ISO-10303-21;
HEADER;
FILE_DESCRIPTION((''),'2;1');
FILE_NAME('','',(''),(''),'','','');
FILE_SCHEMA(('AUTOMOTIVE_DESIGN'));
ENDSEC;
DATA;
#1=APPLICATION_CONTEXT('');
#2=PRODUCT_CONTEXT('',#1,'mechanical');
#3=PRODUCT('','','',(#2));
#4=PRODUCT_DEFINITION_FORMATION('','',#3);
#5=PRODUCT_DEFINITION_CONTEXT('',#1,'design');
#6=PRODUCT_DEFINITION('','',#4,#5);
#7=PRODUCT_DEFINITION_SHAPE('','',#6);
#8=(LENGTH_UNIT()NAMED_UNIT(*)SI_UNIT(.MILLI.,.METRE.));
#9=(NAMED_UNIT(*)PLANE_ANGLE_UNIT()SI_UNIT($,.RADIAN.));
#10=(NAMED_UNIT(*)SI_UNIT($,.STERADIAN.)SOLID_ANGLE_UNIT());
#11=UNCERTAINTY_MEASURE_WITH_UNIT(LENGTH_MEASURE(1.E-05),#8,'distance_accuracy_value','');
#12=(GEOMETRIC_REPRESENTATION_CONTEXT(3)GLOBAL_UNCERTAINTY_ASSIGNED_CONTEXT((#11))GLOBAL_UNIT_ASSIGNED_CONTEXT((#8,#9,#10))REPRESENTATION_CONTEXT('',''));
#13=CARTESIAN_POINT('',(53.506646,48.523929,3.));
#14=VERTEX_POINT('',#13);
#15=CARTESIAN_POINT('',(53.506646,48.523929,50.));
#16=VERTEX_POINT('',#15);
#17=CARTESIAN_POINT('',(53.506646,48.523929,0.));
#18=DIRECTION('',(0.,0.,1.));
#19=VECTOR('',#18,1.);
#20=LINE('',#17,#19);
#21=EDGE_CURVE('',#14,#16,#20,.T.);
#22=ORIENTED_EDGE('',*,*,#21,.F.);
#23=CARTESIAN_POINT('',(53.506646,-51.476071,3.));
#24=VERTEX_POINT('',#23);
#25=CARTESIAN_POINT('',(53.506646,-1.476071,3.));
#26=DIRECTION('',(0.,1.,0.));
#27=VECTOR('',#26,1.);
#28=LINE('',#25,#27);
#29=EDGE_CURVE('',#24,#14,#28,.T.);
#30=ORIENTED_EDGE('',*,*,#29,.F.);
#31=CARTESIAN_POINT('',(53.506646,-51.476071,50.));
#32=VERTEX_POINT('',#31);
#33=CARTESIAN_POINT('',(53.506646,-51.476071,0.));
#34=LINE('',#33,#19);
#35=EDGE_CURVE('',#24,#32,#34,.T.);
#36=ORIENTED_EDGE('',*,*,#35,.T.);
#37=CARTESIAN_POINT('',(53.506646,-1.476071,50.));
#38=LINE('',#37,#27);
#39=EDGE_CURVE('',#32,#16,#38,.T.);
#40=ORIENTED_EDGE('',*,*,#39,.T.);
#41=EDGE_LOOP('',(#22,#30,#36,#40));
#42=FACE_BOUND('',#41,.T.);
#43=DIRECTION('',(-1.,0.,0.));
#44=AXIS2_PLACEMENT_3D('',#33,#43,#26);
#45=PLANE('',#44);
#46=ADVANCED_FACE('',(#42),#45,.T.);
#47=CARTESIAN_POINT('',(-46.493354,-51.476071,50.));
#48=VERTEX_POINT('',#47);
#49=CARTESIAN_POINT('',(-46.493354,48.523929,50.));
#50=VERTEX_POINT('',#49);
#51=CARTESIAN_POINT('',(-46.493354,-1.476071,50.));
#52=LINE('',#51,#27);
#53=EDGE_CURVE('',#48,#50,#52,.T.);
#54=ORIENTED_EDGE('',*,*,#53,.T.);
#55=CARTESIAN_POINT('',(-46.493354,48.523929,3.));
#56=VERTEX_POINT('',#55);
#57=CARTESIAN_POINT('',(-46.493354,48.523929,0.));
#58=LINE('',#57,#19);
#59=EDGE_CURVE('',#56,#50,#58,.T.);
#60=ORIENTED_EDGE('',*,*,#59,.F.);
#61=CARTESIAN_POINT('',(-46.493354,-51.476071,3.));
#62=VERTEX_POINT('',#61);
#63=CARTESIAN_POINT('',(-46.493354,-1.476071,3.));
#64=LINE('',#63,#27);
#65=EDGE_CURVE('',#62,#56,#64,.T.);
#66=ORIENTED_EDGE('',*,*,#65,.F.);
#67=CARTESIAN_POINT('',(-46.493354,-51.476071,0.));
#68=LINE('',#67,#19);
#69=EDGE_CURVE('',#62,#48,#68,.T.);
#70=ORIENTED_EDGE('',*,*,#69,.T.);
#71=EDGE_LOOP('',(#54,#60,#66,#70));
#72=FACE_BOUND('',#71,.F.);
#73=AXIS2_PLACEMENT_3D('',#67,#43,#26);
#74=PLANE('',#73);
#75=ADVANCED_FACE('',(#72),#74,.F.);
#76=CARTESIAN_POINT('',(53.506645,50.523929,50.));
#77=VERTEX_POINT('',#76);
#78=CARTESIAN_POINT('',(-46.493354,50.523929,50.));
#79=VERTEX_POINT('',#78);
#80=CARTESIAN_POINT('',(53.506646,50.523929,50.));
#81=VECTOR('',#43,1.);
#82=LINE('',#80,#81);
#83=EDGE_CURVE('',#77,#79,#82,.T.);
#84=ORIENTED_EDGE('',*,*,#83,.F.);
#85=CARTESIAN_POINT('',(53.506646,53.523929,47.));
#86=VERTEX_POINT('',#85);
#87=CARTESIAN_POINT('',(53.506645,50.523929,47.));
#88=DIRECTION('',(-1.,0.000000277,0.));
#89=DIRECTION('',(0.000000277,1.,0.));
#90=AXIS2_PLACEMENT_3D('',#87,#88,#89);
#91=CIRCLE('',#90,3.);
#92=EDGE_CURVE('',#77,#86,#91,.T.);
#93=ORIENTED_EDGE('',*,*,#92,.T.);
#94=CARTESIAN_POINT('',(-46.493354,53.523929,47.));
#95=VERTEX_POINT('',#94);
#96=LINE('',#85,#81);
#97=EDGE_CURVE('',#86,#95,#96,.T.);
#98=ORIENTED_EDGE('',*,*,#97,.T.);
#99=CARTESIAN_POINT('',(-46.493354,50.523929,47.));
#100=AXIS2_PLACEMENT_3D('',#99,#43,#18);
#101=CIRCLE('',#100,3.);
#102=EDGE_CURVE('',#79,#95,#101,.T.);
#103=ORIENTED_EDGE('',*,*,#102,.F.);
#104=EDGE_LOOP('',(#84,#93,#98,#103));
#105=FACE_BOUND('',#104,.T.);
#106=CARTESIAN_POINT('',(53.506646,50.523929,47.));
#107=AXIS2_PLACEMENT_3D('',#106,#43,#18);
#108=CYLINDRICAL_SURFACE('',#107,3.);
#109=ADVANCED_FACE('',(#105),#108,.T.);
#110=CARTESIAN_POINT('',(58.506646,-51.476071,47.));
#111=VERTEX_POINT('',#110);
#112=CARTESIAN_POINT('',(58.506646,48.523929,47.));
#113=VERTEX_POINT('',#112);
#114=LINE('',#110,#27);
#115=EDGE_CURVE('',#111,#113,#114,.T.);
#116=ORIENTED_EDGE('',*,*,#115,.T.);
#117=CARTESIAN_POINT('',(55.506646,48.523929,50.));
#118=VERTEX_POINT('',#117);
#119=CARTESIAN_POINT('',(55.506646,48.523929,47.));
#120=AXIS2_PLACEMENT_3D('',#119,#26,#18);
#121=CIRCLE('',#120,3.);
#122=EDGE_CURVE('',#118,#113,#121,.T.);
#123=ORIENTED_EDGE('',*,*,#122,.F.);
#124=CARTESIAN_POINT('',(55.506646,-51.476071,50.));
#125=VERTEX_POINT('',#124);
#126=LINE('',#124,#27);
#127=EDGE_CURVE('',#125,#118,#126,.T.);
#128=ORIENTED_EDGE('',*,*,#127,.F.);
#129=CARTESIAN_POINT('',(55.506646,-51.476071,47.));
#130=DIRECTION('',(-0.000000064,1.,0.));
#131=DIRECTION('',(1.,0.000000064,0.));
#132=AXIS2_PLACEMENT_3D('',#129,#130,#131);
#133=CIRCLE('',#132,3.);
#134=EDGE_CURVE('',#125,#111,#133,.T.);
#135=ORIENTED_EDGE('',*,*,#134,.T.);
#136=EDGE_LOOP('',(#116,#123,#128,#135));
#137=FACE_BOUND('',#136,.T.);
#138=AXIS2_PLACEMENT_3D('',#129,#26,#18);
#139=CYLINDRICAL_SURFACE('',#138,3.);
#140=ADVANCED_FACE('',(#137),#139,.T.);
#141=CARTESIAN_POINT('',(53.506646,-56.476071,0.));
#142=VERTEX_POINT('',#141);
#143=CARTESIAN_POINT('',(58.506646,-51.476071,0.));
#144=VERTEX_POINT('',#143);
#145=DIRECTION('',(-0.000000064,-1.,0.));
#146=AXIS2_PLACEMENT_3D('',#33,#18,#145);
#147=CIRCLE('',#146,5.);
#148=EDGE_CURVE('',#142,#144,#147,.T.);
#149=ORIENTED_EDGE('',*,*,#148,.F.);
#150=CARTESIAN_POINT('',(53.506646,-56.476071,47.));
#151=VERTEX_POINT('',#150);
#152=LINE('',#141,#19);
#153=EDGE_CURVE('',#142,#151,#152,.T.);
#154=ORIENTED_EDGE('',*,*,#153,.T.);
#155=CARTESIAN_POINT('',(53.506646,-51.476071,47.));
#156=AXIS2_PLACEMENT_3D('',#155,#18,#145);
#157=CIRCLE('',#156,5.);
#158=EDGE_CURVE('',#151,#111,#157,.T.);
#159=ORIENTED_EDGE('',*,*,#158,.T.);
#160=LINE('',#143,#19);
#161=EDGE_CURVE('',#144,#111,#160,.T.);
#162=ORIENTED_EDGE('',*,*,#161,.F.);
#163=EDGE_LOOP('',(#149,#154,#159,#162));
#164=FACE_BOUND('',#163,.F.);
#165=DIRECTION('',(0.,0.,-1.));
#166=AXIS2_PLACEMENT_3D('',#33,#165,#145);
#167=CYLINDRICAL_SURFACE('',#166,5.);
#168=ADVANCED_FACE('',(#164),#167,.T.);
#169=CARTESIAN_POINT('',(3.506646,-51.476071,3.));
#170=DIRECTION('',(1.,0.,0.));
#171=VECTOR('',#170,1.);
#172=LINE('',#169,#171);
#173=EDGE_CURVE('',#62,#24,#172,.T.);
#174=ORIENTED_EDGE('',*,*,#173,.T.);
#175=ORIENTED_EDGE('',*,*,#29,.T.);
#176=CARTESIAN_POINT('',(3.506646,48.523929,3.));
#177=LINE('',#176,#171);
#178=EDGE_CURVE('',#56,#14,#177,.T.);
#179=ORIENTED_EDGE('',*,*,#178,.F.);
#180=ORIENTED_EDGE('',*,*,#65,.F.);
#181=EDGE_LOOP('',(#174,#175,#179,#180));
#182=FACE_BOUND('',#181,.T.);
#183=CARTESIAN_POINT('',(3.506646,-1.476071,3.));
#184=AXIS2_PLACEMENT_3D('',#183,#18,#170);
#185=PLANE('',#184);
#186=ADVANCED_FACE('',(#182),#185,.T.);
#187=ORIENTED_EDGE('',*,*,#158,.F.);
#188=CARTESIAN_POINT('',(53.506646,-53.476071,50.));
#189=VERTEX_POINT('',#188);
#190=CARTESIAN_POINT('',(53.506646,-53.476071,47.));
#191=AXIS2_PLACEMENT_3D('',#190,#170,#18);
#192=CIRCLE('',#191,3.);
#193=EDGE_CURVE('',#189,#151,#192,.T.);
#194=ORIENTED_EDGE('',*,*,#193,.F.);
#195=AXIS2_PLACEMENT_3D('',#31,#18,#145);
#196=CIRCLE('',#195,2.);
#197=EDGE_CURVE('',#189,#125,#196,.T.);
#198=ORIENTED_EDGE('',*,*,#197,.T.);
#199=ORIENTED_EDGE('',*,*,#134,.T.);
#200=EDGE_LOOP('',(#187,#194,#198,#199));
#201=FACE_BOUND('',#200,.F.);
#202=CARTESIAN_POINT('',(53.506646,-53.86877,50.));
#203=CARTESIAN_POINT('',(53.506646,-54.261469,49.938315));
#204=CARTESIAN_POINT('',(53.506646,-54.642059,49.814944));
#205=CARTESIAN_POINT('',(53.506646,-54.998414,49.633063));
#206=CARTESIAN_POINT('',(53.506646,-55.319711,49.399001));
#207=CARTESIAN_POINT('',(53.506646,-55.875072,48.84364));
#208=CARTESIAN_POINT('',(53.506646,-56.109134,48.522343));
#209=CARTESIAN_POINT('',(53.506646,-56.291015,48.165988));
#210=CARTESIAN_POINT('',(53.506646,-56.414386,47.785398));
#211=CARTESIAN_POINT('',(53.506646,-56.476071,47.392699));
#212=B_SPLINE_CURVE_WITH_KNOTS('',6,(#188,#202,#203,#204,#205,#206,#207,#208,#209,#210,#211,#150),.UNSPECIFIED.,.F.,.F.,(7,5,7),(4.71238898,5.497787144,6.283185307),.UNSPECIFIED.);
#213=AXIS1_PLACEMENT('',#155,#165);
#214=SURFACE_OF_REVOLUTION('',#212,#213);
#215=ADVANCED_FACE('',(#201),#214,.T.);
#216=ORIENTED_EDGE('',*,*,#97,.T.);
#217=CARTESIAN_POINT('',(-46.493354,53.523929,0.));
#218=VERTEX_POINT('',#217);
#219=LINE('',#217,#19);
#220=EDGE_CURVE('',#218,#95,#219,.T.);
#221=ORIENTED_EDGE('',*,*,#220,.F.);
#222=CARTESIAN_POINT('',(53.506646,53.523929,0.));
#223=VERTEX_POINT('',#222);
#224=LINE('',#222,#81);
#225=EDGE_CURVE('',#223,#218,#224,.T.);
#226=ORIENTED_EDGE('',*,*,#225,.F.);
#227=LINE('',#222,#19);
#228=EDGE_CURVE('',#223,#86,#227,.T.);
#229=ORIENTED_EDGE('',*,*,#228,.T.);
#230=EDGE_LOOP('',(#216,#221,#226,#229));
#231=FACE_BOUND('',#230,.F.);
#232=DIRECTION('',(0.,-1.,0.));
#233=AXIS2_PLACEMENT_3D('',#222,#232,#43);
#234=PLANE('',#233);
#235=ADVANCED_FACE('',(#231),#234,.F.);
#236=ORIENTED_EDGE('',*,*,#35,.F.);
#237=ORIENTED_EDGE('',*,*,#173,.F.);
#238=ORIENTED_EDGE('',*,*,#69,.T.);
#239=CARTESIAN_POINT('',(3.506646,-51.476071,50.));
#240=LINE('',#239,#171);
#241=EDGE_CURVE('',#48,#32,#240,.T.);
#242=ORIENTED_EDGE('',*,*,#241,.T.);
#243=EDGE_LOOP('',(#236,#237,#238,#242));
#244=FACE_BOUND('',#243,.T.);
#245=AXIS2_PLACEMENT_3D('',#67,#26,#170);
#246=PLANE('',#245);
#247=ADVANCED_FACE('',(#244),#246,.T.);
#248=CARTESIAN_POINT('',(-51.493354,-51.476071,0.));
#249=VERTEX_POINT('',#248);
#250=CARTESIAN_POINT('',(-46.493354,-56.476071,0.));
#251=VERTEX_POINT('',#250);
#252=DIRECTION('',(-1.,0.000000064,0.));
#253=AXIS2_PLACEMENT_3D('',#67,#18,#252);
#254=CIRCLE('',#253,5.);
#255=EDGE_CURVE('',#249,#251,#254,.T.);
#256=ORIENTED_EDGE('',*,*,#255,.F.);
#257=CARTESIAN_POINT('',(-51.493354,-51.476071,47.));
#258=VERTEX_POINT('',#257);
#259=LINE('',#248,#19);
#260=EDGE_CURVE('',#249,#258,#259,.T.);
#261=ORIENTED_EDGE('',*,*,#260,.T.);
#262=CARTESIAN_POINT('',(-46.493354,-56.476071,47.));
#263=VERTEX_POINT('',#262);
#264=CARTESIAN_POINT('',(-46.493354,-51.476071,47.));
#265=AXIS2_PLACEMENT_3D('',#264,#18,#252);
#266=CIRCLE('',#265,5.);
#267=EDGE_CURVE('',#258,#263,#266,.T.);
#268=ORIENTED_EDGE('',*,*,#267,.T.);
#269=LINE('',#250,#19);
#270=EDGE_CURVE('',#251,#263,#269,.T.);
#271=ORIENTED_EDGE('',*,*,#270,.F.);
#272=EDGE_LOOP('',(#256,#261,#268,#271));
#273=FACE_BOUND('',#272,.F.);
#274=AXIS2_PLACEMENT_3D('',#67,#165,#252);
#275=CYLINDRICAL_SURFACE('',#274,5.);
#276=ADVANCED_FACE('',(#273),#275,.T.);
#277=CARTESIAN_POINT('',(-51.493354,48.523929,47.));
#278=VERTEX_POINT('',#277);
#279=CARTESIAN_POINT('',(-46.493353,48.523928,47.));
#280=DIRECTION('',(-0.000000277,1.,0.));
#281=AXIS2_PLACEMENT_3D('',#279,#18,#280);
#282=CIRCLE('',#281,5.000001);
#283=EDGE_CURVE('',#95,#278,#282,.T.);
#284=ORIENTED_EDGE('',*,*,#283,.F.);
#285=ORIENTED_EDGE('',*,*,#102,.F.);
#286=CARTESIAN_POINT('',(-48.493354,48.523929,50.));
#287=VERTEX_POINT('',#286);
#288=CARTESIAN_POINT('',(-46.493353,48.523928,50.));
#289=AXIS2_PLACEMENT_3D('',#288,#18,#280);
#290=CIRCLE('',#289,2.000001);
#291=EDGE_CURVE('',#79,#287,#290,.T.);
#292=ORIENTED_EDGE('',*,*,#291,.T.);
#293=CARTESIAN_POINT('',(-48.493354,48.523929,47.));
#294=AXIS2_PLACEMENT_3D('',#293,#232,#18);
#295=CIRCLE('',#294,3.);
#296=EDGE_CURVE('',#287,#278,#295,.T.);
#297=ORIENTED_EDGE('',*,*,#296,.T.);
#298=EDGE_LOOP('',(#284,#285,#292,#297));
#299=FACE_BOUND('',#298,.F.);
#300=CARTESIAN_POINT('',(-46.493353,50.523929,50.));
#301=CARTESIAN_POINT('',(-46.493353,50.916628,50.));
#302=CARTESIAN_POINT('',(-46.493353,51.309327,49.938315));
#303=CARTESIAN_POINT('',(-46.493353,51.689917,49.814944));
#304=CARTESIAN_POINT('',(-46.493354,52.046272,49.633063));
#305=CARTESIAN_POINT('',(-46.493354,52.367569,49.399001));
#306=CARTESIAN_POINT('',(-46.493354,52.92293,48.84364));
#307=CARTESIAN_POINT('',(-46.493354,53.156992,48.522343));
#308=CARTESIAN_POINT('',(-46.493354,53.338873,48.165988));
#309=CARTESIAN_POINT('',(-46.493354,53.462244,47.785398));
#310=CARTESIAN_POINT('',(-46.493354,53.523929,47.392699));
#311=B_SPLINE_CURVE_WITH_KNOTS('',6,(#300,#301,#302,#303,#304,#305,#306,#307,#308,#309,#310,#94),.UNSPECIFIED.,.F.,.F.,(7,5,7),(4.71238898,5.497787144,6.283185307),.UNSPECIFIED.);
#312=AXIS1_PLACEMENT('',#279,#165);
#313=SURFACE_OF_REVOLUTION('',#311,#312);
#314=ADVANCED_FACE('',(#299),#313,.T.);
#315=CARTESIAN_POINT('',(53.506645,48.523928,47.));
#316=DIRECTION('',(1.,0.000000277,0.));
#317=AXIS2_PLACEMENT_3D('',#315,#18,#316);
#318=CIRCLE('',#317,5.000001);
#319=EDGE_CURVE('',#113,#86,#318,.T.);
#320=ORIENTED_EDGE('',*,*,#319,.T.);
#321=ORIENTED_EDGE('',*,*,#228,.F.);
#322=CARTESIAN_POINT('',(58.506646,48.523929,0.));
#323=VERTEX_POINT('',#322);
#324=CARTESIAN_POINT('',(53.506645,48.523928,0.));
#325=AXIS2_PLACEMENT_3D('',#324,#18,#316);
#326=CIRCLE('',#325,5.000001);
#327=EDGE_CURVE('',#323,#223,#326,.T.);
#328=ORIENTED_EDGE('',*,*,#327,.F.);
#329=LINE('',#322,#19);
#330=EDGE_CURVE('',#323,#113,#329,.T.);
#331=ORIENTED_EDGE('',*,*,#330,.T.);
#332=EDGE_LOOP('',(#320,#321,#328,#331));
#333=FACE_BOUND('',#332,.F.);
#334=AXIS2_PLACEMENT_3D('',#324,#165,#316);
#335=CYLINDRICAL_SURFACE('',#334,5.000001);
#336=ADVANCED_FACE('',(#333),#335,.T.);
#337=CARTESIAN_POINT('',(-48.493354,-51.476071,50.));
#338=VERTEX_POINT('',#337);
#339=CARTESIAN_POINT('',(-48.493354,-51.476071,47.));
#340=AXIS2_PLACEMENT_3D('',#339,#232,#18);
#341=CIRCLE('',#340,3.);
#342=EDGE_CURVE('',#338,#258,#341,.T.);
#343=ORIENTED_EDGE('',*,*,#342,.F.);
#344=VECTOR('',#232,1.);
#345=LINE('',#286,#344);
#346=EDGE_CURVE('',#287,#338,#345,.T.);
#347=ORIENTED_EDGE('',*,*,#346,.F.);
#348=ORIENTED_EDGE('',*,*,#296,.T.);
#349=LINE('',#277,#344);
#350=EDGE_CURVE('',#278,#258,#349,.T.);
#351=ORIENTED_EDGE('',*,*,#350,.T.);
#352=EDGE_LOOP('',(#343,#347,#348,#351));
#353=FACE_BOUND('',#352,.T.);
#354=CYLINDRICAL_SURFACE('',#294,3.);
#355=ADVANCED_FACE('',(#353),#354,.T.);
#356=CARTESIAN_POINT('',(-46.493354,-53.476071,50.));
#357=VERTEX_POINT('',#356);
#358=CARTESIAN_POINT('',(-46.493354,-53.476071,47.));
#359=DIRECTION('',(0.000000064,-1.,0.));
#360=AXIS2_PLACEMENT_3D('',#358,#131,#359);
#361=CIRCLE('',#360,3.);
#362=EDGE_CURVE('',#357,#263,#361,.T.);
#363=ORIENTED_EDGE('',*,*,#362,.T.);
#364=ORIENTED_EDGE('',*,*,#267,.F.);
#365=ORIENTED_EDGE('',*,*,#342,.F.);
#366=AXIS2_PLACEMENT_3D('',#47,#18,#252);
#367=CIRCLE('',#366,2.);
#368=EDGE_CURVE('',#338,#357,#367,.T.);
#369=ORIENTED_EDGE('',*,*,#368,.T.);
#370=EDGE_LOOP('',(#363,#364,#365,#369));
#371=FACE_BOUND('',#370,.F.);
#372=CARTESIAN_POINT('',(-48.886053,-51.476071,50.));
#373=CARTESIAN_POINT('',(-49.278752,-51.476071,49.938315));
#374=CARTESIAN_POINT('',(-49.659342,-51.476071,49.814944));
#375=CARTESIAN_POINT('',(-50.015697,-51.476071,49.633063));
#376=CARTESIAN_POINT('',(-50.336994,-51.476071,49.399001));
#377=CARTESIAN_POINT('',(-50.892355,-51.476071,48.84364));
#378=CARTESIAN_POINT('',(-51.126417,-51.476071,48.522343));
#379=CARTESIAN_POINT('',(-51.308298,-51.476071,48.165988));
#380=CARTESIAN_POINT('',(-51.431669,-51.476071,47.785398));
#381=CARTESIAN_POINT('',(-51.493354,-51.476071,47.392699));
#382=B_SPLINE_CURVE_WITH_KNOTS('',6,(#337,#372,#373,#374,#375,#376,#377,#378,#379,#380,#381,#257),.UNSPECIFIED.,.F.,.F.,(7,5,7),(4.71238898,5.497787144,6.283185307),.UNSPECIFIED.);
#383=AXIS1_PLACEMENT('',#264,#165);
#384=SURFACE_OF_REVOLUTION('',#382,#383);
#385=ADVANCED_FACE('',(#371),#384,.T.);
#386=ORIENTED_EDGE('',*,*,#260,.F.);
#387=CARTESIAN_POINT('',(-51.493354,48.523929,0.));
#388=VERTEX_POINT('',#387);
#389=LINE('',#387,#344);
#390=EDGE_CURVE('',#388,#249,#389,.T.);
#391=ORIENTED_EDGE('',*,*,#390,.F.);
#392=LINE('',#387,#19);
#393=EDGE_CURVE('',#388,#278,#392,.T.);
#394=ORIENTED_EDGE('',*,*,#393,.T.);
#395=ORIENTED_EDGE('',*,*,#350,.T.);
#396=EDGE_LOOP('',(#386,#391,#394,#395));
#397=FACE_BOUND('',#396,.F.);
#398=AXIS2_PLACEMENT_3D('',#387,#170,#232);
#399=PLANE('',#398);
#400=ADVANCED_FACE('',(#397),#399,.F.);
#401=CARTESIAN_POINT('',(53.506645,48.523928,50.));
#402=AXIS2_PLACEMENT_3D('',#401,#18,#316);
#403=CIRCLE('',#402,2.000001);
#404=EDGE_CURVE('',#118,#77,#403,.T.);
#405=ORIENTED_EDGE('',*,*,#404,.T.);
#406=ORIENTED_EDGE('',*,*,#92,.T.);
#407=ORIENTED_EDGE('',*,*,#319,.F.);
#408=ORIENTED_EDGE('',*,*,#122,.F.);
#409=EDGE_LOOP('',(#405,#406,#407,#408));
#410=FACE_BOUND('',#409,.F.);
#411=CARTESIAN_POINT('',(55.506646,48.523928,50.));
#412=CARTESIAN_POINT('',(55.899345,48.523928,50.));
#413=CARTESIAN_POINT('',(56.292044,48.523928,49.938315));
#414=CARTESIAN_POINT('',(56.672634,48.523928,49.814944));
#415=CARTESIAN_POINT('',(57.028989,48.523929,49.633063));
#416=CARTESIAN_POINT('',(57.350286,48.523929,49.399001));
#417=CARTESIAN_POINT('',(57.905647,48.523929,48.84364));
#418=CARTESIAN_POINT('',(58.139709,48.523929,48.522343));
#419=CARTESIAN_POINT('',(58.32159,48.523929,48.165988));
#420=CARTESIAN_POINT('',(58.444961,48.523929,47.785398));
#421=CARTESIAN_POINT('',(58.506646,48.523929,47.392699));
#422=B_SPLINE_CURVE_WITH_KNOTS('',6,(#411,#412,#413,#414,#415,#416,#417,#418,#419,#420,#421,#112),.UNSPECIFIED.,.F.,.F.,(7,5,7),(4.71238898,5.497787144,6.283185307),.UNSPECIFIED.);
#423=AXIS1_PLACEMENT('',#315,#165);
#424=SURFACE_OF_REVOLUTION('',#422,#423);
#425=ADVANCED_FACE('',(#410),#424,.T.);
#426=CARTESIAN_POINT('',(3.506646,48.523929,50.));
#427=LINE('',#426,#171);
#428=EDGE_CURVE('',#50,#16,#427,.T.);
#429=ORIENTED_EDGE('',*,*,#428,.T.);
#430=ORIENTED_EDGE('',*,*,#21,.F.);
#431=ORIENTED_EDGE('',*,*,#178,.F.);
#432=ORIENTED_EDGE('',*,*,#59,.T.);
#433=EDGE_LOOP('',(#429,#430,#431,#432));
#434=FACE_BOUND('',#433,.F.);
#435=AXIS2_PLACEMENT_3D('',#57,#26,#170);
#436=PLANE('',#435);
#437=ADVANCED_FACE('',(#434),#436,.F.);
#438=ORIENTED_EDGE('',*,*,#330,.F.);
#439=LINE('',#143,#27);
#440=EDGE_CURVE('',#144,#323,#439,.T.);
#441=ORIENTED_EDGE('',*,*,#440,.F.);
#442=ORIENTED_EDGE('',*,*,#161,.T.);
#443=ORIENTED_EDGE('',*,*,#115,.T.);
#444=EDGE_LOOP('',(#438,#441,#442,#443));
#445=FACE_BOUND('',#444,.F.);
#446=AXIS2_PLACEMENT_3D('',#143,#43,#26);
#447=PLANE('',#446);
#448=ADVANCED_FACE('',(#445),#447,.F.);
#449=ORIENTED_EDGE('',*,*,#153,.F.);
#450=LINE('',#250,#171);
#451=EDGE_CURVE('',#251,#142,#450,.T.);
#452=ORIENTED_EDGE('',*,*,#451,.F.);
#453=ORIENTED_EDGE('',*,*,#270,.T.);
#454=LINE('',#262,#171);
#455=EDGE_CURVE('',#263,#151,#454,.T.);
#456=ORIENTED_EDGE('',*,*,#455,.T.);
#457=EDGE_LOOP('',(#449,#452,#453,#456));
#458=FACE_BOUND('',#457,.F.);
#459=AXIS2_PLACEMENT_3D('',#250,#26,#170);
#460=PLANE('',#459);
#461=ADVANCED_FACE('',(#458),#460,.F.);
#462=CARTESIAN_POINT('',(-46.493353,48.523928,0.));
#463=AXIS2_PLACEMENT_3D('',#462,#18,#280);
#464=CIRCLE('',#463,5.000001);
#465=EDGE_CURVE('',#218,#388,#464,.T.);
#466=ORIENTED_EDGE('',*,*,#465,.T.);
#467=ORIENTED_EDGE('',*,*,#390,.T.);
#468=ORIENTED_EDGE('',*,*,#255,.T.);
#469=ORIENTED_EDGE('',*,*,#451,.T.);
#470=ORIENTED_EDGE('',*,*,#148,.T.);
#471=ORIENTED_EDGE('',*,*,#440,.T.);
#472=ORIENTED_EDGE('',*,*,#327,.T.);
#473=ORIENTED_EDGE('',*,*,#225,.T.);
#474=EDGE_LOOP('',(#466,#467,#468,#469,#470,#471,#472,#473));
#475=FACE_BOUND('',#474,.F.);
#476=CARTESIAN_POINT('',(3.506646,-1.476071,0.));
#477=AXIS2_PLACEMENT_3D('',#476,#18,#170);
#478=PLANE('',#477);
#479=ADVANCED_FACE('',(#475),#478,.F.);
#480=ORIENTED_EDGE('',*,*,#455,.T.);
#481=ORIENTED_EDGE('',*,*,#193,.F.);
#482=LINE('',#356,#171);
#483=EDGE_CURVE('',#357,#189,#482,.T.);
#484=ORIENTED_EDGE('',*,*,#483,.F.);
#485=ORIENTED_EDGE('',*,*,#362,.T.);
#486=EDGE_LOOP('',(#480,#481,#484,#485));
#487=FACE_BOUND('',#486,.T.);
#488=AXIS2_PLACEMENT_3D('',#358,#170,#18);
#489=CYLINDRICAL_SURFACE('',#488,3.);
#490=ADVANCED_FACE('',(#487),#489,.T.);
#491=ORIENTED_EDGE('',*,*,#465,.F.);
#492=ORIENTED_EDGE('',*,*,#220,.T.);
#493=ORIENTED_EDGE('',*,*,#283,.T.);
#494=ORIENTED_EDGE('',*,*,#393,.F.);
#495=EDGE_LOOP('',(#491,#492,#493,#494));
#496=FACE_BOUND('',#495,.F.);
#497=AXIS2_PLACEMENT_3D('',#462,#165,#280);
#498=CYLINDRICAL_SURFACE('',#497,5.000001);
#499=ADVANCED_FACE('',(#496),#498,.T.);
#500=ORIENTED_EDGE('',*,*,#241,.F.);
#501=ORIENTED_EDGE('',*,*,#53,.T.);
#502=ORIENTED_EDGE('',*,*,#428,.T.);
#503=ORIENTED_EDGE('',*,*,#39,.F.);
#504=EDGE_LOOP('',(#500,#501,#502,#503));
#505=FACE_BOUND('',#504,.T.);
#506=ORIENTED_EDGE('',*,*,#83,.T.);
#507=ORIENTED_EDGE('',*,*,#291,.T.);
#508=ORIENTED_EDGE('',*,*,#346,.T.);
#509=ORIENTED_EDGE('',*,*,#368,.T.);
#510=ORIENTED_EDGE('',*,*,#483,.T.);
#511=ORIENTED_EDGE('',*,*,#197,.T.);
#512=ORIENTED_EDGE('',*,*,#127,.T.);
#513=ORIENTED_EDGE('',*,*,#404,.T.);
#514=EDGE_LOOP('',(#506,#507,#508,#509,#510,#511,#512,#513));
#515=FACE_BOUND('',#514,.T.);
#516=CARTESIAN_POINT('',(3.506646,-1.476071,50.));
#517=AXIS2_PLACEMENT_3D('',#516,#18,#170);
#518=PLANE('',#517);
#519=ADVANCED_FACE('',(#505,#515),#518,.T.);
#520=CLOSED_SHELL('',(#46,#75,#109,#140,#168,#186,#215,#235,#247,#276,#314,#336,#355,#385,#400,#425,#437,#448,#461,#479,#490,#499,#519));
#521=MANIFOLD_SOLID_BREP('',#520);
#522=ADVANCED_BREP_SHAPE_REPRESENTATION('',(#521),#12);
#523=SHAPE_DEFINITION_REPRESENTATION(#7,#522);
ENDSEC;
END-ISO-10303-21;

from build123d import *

# Parameters (mm, degrees)
F0_W     = 100
F0_H     = 100
F1_DEPTH = 3
F2_DEPTH = 50
F3_R     = 3


with BuildPart() as f1:
    # F0 (on Top) → F1 (new body)
    with BuildSketch(Plane.XY):
        with Locations((3.506646, -1.476071)):
            Rectangle(F0_W, F0_H)
    extrude(amount=F1_DEPTH)

    # F0 (on Top) → F2 (join)
    with BuildSketch(Plane.XY):
        with BuildLine():
            Line((53.506646, 53.523929), (-46.493354, 53.523929))
            ThreePointArc((-46.493354, 53.523929), (-50.028888, 52.059462), (-51.493354, 48.523929))
            Line((-51.493354, 48.523929), (-51.493354, -51.476071))
            ThreePointArc((-51.493354, -51.476071), (-50.028888, -55.011605), (-46.493354, -56.476071))
            Line((-46.493354, -56.476071), (53.506646, -56.476071))
            ThreePointArc((53.506646, -56.476071), (57.04218, -55.011605), (58.506646, -51.476071))
            Line((58.506646, -51.476071), (58.506646, 48.523929))
            ThreePointArc((58.506646, 48.523929), (57.04218, 52.059462), (53.506646, 53.523929))
        make_face()
        with Locations((3.506646, -1.476071)):
            Rectangle(F0_W, F0_H, mode=Mode.SUBTRACT)
    extrude(amount=F2_DEPTH)

    # F3
    f3_edges = [f1.edges().sort_by_distance(p)[0] for p in [
        (-51.493354, -1.476071, 50),
    ]]
    fillet(f3_edges, radius=F3_R)


solid = f1.part
